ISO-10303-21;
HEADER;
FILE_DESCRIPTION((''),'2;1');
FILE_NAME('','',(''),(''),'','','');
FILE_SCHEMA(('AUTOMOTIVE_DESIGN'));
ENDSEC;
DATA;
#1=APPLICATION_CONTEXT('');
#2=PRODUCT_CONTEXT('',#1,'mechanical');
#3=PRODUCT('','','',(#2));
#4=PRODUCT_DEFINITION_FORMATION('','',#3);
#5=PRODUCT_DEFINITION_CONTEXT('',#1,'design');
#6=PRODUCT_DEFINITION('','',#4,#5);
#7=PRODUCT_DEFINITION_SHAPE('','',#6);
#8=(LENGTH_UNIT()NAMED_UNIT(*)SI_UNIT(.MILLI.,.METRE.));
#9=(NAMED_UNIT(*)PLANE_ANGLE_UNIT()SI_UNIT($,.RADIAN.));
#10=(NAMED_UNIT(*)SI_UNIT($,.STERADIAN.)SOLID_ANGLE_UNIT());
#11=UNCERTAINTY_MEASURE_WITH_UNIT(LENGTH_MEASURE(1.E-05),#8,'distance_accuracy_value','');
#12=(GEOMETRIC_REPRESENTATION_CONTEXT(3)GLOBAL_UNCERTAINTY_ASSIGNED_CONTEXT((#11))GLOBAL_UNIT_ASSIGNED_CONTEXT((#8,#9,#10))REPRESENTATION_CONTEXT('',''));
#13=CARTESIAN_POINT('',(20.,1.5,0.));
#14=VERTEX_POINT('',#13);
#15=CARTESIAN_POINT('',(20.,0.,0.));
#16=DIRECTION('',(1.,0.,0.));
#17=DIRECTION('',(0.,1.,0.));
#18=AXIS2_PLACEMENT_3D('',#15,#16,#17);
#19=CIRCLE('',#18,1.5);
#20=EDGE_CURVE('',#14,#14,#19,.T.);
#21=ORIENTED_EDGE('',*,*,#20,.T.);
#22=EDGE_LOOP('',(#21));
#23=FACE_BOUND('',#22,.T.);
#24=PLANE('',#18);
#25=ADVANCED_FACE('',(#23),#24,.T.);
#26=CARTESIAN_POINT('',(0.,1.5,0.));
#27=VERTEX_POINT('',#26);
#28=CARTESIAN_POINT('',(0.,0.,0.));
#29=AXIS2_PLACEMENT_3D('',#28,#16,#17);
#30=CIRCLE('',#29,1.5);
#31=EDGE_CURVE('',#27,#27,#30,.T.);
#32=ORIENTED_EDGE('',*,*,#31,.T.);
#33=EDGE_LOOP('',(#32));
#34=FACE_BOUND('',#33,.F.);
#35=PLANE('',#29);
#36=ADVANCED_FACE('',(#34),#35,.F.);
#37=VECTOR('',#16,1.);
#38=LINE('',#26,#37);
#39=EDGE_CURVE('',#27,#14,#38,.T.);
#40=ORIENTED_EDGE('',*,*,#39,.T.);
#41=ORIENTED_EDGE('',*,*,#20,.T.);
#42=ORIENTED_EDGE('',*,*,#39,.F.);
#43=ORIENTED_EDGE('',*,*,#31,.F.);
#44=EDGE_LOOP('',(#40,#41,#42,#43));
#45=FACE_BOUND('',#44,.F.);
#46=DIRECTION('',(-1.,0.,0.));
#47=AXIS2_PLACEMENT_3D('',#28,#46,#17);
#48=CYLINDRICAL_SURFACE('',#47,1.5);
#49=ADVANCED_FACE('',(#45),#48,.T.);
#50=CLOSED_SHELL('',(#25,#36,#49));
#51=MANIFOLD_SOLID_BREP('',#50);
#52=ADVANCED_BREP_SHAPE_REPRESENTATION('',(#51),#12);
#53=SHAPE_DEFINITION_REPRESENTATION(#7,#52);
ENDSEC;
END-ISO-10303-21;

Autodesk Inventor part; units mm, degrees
ref_plane "YZ Plane" through (0, 0, 0) normal (1, 0, 0) x (0, 1, 0)
ref_plane "XZ Plane" through (0, 0, 0) normal (0, 1, 0) x (-1, 0, 0)
ref_plane "XY Plane" through (0, 0, 0) normal (0, 0, 1) x (1, 0, 0)
sketch "草图1" plane through (0, 0, 0) normal (1, 0, 0) x (0, 1, 0)
  circle A0 centre (0, 0) radius 1.5
  dimension "d0" = 3
extrude "拉伸1" add sketch "草图1" along normal blind 20
properties part number "轴"
